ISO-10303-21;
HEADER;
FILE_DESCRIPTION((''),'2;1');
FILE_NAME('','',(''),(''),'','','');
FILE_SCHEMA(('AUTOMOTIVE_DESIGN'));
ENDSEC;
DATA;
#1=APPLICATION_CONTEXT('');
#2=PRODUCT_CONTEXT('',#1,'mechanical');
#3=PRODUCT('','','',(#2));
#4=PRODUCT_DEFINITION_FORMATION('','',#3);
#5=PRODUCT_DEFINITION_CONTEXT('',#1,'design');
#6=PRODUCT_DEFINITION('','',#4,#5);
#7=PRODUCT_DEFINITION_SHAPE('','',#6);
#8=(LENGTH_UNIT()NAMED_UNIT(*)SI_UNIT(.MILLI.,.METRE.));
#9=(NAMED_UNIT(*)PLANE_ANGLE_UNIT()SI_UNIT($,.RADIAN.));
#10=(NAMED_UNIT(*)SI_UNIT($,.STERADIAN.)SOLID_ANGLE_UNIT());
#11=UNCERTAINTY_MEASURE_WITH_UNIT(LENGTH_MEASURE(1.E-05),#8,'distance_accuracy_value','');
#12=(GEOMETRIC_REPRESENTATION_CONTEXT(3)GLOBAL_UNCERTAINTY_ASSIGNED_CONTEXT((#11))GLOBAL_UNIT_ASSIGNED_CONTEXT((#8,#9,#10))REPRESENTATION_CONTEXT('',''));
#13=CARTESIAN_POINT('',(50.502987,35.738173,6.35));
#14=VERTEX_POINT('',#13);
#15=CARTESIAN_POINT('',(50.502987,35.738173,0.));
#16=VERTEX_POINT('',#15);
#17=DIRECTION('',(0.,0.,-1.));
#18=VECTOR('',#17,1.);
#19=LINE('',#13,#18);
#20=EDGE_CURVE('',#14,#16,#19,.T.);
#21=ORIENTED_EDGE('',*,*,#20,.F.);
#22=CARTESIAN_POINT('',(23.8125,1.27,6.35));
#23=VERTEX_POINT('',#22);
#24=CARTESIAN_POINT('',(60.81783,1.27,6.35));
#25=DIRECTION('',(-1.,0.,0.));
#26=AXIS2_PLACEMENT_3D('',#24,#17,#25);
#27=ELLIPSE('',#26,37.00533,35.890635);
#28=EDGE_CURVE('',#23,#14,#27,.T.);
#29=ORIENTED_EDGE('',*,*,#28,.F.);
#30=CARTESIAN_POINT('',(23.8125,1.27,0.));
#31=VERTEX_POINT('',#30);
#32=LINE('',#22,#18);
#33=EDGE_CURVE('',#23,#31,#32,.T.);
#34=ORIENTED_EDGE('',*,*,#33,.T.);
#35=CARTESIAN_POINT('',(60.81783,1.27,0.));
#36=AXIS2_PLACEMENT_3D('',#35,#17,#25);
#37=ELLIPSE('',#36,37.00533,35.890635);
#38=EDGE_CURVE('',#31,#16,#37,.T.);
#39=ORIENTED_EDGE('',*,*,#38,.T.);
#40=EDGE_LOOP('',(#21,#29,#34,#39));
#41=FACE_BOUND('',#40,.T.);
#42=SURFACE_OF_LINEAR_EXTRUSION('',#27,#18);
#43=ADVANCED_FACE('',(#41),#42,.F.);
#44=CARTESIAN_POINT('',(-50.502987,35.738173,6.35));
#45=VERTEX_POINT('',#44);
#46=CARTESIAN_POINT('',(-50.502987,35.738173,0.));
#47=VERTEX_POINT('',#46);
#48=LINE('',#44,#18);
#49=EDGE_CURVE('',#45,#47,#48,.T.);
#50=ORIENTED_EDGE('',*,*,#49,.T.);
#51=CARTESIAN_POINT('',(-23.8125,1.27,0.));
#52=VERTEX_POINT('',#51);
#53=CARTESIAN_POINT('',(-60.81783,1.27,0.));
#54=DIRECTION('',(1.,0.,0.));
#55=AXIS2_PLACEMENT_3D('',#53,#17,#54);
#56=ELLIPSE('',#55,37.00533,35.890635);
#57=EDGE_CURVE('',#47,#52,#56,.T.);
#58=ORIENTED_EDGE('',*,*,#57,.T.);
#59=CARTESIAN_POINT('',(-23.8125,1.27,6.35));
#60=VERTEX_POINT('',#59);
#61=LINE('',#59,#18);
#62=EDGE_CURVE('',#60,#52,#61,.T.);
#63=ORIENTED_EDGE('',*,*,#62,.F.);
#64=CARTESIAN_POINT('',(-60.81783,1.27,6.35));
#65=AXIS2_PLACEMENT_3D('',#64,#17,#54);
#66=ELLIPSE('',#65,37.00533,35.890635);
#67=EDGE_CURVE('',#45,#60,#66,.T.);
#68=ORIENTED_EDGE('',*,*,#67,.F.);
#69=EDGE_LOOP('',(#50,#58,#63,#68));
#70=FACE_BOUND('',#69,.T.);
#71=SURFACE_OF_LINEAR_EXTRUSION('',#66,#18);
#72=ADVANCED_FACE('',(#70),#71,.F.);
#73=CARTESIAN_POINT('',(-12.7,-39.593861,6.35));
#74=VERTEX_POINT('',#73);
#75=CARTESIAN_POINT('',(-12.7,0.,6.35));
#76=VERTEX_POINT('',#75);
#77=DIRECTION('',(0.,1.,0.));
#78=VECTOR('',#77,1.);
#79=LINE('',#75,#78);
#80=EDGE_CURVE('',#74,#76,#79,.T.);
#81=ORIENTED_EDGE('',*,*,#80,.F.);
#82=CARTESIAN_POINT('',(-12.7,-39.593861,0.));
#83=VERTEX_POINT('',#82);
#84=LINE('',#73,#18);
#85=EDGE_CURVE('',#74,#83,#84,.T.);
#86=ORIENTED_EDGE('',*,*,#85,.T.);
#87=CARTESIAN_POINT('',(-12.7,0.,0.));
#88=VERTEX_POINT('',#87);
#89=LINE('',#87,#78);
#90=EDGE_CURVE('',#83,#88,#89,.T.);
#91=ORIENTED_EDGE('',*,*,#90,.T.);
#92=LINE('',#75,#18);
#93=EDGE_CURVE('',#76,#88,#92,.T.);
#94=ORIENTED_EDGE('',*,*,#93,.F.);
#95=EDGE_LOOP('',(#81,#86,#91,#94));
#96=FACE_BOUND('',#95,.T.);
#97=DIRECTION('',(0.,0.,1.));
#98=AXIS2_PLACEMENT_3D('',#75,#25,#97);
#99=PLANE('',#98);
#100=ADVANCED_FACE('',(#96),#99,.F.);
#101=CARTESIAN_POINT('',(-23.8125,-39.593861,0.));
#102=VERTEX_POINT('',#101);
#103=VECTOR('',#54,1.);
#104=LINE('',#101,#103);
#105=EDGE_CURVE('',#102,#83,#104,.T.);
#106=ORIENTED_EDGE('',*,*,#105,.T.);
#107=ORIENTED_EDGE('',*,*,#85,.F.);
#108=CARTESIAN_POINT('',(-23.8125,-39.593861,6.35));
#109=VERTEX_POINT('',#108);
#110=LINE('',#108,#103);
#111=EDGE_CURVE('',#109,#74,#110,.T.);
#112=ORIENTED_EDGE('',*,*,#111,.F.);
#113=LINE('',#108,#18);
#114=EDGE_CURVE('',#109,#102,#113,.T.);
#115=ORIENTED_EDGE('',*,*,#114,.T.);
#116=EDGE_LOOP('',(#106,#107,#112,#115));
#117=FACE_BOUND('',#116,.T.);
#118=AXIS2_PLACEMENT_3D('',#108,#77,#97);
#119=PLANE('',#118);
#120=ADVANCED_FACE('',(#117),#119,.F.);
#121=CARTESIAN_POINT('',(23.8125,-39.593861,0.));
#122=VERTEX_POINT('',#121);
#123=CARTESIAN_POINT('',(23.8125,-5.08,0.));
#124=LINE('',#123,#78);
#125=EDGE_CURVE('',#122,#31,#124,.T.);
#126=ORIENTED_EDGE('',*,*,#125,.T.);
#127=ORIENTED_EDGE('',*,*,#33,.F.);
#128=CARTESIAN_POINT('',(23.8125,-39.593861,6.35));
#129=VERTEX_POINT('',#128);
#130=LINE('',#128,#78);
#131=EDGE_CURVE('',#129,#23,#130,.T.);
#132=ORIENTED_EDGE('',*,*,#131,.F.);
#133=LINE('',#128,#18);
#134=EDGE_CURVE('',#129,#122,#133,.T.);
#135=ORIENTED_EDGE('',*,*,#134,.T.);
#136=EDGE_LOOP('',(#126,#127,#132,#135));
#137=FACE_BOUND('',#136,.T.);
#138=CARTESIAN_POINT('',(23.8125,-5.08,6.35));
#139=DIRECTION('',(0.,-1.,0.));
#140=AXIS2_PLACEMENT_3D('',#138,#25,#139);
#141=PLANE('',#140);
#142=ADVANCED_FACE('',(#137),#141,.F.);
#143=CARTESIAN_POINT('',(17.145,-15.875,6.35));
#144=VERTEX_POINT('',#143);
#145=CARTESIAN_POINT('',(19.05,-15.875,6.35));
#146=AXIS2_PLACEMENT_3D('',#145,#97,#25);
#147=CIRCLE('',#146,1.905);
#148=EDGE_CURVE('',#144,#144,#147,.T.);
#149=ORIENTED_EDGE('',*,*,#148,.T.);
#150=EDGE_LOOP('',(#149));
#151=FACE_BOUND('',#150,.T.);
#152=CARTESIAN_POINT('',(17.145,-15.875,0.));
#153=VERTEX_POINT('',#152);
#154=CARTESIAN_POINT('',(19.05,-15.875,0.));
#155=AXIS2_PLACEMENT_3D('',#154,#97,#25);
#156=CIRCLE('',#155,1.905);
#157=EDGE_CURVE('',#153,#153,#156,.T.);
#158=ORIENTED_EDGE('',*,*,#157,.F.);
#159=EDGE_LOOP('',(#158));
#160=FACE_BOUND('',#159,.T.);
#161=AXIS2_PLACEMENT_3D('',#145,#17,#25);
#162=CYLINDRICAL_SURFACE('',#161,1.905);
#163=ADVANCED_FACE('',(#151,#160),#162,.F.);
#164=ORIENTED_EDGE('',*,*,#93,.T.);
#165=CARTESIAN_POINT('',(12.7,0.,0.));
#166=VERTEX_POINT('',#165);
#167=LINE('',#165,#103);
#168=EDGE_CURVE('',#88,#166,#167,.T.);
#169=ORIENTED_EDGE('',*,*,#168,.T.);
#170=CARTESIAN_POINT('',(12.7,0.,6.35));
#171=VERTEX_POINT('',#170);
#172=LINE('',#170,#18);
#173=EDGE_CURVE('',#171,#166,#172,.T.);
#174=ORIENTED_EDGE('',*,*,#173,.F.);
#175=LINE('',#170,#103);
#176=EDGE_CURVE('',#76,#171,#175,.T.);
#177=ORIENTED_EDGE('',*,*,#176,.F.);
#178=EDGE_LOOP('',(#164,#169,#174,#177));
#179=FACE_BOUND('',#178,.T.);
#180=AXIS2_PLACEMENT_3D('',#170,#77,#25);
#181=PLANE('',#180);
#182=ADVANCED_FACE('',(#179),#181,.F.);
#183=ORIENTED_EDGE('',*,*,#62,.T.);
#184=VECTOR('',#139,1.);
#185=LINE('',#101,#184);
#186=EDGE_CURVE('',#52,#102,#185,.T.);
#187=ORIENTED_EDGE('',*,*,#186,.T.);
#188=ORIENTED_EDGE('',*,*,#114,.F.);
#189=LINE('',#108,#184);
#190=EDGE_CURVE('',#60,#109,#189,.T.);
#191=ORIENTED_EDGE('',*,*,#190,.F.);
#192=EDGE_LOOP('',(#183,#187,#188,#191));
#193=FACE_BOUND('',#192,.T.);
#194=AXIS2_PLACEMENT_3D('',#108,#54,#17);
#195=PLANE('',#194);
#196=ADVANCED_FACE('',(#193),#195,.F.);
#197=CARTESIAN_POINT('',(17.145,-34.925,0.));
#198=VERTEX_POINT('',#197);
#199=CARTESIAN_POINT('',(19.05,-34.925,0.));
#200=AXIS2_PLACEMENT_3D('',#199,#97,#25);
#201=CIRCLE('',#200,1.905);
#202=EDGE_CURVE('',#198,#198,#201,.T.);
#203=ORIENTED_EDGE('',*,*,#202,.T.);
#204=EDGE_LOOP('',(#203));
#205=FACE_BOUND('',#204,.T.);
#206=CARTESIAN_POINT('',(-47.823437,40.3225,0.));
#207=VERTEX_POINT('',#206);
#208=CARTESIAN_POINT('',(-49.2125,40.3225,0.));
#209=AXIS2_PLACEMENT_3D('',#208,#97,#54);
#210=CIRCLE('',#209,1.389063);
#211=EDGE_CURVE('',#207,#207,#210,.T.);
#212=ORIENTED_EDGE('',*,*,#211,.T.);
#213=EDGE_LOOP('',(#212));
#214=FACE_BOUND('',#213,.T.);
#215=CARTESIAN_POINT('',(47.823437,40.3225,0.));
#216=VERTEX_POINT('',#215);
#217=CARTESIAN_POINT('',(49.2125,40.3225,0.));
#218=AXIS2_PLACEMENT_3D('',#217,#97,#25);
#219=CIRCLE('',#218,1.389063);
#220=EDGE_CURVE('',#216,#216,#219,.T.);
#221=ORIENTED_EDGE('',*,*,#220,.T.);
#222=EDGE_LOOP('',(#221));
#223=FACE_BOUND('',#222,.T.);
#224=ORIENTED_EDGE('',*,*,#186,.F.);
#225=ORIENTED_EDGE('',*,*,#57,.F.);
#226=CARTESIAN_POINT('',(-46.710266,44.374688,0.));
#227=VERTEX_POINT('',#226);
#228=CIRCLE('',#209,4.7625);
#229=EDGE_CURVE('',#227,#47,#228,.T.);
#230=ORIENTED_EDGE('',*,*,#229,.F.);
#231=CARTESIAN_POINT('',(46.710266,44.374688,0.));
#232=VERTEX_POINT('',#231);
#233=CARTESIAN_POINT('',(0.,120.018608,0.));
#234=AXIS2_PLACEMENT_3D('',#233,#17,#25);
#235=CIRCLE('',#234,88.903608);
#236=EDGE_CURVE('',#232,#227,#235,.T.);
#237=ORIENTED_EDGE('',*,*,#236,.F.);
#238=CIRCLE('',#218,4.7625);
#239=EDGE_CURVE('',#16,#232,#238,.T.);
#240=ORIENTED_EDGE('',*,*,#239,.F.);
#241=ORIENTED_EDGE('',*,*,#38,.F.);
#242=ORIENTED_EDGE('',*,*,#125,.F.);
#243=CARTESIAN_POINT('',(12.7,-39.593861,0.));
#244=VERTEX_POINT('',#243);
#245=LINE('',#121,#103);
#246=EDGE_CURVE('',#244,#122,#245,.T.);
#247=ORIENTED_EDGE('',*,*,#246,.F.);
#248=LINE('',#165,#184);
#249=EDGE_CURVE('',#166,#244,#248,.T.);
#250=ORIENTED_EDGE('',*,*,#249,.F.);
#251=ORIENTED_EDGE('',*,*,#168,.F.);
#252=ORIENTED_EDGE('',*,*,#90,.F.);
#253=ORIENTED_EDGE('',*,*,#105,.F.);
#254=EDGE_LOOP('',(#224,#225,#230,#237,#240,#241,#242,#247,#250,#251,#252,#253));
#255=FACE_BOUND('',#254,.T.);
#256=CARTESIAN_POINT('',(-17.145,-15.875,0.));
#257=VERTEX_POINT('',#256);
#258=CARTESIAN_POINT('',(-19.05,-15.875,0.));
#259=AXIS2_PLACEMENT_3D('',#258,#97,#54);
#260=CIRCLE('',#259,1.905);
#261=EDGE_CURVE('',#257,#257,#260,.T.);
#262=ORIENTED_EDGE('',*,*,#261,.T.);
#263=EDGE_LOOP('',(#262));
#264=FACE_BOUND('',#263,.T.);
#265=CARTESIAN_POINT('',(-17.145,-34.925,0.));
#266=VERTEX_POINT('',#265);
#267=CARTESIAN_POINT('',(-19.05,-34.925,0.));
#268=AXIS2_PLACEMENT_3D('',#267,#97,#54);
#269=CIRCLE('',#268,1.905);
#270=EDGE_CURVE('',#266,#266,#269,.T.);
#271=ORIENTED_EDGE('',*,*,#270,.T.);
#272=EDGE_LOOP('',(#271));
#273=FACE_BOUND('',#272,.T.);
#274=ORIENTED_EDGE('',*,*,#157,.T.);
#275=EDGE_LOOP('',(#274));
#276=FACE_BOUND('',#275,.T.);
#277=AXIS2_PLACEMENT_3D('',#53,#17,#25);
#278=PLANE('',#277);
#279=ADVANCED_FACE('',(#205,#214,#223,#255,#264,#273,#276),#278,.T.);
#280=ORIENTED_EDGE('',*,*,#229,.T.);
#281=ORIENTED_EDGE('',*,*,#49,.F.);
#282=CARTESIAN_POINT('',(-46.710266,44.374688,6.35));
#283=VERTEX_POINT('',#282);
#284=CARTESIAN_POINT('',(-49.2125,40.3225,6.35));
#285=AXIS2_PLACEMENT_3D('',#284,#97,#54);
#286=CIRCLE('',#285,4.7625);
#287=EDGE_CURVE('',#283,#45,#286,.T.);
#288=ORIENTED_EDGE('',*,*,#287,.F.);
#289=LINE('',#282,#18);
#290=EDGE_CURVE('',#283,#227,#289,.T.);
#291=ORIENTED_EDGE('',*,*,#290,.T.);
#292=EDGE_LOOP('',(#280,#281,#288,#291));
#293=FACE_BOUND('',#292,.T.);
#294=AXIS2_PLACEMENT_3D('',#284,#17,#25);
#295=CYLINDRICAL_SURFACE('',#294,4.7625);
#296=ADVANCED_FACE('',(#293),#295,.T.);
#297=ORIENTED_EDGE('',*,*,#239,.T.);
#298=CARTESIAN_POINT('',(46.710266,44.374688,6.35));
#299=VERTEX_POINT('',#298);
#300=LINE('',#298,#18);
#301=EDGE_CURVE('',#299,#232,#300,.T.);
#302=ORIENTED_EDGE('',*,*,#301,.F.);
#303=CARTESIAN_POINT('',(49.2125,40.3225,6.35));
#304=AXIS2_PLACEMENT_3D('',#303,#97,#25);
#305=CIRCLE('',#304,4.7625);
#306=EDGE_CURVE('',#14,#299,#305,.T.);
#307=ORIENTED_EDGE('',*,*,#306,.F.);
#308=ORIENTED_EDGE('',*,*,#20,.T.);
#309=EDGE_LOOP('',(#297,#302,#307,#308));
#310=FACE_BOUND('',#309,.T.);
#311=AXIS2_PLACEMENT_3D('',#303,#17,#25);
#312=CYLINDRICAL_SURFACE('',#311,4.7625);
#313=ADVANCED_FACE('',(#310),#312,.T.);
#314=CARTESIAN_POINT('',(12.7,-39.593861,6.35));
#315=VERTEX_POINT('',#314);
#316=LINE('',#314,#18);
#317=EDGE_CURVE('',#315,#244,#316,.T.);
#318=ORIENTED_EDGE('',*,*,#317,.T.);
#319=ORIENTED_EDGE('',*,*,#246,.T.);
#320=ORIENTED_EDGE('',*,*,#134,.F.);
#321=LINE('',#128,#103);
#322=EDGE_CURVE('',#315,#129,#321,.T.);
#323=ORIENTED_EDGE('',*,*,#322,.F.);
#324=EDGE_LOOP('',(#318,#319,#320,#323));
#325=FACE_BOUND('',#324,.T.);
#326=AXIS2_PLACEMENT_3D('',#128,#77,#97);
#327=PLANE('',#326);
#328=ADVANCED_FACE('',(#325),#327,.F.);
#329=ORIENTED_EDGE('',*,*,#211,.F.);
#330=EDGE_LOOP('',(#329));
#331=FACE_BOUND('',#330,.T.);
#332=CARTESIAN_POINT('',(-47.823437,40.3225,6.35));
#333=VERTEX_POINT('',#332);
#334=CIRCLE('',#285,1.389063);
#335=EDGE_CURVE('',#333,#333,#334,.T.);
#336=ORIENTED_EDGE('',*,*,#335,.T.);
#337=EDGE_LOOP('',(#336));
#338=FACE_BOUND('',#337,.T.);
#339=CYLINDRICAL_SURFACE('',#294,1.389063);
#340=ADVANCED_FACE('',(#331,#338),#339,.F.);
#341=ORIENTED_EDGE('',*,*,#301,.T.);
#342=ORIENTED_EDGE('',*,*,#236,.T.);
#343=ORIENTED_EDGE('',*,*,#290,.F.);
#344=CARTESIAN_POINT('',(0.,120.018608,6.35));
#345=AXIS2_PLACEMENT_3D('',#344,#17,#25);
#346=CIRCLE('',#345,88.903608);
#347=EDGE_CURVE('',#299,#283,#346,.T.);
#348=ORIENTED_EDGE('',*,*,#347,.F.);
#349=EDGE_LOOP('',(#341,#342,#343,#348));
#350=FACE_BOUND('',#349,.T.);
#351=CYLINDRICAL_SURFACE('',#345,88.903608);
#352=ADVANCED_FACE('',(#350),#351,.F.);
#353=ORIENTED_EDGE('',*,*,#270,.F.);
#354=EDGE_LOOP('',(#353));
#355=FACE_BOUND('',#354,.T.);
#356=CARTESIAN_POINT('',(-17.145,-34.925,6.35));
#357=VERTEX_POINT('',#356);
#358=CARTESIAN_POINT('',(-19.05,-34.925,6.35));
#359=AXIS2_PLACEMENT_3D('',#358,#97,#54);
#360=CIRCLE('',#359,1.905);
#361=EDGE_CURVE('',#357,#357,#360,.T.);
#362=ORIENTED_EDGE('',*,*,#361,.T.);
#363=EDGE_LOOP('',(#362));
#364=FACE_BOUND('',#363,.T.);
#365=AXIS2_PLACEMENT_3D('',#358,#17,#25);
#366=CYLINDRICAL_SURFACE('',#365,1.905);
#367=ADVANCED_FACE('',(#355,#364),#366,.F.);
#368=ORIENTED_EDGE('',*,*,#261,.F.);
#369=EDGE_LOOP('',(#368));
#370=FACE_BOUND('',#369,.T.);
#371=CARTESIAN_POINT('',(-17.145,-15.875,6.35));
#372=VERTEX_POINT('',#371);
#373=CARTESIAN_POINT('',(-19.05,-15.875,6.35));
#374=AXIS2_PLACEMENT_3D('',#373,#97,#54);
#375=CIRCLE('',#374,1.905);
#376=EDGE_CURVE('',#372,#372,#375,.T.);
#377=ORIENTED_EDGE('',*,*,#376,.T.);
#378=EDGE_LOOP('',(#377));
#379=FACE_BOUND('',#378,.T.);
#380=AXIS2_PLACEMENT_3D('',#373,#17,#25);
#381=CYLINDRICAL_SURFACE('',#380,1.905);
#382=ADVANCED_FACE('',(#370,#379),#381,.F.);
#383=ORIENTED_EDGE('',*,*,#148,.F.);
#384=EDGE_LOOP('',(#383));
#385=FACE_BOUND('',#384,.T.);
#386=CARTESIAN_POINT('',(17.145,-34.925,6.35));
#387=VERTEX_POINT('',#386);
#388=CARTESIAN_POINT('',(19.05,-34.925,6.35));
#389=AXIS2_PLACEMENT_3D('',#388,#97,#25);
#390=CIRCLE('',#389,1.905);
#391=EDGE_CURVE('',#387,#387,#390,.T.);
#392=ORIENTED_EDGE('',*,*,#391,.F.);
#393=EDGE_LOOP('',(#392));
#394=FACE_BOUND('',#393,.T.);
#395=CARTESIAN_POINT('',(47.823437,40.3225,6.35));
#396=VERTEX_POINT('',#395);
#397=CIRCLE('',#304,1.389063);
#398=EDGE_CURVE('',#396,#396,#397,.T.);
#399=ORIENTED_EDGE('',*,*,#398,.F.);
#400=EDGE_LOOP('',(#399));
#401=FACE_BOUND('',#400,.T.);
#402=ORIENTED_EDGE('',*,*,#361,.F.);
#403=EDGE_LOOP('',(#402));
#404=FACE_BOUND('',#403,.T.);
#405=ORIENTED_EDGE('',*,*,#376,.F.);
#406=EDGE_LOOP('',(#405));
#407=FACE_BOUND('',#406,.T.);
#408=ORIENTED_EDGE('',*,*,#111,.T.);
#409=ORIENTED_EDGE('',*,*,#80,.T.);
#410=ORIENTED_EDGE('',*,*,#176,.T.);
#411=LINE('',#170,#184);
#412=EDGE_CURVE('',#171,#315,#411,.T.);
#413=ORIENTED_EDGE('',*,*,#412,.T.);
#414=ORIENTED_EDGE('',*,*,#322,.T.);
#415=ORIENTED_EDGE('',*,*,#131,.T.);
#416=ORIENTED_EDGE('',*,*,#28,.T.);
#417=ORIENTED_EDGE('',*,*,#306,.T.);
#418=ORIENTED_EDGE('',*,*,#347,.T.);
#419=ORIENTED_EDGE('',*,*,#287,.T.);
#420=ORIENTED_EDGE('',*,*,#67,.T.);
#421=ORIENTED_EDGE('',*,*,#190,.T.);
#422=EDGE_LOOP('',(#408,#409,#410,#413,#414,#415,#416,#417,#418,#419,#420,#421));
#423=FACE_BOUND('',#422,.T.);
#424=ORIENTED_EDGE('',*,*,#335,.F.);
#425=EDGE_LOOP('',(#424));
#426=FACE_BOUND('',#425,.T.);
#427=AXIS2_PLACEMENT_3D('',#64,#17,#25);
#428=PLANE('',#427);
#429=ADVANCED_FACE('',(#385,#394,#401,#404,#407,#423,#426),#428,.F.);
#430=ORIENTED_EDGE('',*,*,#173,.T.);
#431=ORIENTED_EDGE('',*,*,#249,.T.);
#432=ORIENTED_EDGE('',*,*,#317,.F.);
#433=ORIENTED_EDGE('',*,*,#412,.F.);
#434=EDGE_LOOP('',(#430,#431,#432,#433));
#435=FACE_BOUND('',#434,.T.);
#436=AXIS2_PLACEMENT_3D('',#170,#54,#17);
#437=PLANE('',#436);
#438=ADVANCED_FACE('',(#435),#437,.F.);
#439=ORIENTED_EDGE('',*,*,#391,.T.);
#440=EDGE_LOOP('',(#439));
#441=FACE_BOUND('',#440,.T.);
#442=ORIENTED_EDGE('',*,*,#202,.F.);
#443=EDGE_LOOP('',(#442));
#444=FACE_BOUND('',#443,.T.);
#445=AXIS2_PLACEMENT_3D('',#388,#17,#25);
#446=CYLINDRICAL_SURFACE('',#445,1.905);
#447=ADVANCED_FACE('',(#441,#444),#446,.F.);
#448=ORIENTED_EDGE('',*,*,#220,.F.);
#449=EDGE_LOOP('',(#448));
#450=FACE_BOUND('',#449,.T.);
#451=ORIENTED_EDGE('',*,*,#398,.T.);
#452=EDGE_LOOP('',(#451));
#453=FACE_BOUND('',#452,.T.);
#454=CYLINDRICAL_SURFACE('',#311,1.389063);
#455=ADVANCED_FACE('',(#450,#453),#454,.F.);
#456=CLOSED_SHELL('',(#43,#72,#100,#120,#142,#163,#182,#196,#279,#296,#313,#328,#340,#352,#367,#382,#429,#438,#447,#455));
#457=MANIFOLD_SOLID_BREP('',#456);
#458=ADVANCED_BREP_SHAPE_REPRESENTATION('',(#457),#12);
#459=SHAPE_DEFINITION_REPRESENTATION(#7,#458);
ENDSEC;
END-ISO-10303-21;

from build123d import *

# Parameters (mm, degrees)
SKETCH1_R           = 1.905
SKETCH1_R_2         = 1.3890625
BOSS_EXTRUDE1_DEPTH = 6.35


with BuildPart() as part:
    # Sketch1 → Boss-Extrude1 (new body)
    with BuildSketch(Plane.XY):
        with BuildLine():
            Line((12.7, 0), (-12.7, 0))
            Line((-12.7, 0), (-12.7, -39.593860647))
            Line((-12.7, -39.593860647), (-23.8125, -39.593860647))
            Line((-23.8125, -39.593860647), (-23.8125, 1.27))
            add(Edge.make_bspline(
                [(-23.8125, 1.27), (-23.8125, 28.224807165), (-50.502986928, 35.738173469)],
                knots=[0, 0, 0, 1.28831511, 1.28831511, 1.28831511], degree=2, weights=[1, 0.79960596, 1]))
            ThreePointArc((-50.502986928, 35.738173469), (-53.573053894, 42.237434983), (-46.71026588, 44.374688379))
            ThreePointArc((-46.71026588, 44.374688379), (0, 31.115), (46.71026588, 44.374688379))
            ThreePointArc((46.71026588, 44.374688379), (53.573053894, 42.237434983), (50.502986928, 35.738173469))
            add(Edge.make_bspline(
                [(50.502986928, 35.738173469), (23.8125, 28.224807165), (23.8125, 1.27)],
                knots=[1.853277544, 1.853277544, 1.853277544, 3.141592654, 3.141592654, 3.141592654], degree=2, weights=[1, 0.79960596, 1]))
            Line((23.8125, 1.27), (23.8125, -5.08))
            Line((23.8125, -5.08), (23.8125, -39.593860647))
            Line((23.8125, -39.593860647), (12.7, -39.593860647))
            Line((12.7, -39.593860647), (12.7, 0))
        make_face()
        with Locations((-19.05, -15.875)):
            Circle(SKETCH1_R, mode=Mode.SUBTRACT)
        with Locations(Location((19.05, -15.875, 0), (0, 0, 180))):
            Circle(SKETCH1_R, mode=Mode.SUBTRACT)
        with Locations((-49.2125, 40.3225)):
            Circle(SKETCH1_R_2, mode=Mode.SUBTRACT)
        with Locations((-19.05, -34.925)):
            Circle(SKETCH1_R, mode=Mode.SUBTRACT)
        with Locations(Location((19.05, -34.925, 0), (0, 0, 180))):
            Circle(SKETCH1_R, mode=Mode.SUBTRACT)
        with Locations(Location((49.2125, 40.3225, 0), (0, 0, 180))):
            Circle(SKETCH1_R_2, mode=Mode.SUBTRACT)
    extrude(amount=BOSS_EXTRUDE1_DEPTH)


solid = part.part
